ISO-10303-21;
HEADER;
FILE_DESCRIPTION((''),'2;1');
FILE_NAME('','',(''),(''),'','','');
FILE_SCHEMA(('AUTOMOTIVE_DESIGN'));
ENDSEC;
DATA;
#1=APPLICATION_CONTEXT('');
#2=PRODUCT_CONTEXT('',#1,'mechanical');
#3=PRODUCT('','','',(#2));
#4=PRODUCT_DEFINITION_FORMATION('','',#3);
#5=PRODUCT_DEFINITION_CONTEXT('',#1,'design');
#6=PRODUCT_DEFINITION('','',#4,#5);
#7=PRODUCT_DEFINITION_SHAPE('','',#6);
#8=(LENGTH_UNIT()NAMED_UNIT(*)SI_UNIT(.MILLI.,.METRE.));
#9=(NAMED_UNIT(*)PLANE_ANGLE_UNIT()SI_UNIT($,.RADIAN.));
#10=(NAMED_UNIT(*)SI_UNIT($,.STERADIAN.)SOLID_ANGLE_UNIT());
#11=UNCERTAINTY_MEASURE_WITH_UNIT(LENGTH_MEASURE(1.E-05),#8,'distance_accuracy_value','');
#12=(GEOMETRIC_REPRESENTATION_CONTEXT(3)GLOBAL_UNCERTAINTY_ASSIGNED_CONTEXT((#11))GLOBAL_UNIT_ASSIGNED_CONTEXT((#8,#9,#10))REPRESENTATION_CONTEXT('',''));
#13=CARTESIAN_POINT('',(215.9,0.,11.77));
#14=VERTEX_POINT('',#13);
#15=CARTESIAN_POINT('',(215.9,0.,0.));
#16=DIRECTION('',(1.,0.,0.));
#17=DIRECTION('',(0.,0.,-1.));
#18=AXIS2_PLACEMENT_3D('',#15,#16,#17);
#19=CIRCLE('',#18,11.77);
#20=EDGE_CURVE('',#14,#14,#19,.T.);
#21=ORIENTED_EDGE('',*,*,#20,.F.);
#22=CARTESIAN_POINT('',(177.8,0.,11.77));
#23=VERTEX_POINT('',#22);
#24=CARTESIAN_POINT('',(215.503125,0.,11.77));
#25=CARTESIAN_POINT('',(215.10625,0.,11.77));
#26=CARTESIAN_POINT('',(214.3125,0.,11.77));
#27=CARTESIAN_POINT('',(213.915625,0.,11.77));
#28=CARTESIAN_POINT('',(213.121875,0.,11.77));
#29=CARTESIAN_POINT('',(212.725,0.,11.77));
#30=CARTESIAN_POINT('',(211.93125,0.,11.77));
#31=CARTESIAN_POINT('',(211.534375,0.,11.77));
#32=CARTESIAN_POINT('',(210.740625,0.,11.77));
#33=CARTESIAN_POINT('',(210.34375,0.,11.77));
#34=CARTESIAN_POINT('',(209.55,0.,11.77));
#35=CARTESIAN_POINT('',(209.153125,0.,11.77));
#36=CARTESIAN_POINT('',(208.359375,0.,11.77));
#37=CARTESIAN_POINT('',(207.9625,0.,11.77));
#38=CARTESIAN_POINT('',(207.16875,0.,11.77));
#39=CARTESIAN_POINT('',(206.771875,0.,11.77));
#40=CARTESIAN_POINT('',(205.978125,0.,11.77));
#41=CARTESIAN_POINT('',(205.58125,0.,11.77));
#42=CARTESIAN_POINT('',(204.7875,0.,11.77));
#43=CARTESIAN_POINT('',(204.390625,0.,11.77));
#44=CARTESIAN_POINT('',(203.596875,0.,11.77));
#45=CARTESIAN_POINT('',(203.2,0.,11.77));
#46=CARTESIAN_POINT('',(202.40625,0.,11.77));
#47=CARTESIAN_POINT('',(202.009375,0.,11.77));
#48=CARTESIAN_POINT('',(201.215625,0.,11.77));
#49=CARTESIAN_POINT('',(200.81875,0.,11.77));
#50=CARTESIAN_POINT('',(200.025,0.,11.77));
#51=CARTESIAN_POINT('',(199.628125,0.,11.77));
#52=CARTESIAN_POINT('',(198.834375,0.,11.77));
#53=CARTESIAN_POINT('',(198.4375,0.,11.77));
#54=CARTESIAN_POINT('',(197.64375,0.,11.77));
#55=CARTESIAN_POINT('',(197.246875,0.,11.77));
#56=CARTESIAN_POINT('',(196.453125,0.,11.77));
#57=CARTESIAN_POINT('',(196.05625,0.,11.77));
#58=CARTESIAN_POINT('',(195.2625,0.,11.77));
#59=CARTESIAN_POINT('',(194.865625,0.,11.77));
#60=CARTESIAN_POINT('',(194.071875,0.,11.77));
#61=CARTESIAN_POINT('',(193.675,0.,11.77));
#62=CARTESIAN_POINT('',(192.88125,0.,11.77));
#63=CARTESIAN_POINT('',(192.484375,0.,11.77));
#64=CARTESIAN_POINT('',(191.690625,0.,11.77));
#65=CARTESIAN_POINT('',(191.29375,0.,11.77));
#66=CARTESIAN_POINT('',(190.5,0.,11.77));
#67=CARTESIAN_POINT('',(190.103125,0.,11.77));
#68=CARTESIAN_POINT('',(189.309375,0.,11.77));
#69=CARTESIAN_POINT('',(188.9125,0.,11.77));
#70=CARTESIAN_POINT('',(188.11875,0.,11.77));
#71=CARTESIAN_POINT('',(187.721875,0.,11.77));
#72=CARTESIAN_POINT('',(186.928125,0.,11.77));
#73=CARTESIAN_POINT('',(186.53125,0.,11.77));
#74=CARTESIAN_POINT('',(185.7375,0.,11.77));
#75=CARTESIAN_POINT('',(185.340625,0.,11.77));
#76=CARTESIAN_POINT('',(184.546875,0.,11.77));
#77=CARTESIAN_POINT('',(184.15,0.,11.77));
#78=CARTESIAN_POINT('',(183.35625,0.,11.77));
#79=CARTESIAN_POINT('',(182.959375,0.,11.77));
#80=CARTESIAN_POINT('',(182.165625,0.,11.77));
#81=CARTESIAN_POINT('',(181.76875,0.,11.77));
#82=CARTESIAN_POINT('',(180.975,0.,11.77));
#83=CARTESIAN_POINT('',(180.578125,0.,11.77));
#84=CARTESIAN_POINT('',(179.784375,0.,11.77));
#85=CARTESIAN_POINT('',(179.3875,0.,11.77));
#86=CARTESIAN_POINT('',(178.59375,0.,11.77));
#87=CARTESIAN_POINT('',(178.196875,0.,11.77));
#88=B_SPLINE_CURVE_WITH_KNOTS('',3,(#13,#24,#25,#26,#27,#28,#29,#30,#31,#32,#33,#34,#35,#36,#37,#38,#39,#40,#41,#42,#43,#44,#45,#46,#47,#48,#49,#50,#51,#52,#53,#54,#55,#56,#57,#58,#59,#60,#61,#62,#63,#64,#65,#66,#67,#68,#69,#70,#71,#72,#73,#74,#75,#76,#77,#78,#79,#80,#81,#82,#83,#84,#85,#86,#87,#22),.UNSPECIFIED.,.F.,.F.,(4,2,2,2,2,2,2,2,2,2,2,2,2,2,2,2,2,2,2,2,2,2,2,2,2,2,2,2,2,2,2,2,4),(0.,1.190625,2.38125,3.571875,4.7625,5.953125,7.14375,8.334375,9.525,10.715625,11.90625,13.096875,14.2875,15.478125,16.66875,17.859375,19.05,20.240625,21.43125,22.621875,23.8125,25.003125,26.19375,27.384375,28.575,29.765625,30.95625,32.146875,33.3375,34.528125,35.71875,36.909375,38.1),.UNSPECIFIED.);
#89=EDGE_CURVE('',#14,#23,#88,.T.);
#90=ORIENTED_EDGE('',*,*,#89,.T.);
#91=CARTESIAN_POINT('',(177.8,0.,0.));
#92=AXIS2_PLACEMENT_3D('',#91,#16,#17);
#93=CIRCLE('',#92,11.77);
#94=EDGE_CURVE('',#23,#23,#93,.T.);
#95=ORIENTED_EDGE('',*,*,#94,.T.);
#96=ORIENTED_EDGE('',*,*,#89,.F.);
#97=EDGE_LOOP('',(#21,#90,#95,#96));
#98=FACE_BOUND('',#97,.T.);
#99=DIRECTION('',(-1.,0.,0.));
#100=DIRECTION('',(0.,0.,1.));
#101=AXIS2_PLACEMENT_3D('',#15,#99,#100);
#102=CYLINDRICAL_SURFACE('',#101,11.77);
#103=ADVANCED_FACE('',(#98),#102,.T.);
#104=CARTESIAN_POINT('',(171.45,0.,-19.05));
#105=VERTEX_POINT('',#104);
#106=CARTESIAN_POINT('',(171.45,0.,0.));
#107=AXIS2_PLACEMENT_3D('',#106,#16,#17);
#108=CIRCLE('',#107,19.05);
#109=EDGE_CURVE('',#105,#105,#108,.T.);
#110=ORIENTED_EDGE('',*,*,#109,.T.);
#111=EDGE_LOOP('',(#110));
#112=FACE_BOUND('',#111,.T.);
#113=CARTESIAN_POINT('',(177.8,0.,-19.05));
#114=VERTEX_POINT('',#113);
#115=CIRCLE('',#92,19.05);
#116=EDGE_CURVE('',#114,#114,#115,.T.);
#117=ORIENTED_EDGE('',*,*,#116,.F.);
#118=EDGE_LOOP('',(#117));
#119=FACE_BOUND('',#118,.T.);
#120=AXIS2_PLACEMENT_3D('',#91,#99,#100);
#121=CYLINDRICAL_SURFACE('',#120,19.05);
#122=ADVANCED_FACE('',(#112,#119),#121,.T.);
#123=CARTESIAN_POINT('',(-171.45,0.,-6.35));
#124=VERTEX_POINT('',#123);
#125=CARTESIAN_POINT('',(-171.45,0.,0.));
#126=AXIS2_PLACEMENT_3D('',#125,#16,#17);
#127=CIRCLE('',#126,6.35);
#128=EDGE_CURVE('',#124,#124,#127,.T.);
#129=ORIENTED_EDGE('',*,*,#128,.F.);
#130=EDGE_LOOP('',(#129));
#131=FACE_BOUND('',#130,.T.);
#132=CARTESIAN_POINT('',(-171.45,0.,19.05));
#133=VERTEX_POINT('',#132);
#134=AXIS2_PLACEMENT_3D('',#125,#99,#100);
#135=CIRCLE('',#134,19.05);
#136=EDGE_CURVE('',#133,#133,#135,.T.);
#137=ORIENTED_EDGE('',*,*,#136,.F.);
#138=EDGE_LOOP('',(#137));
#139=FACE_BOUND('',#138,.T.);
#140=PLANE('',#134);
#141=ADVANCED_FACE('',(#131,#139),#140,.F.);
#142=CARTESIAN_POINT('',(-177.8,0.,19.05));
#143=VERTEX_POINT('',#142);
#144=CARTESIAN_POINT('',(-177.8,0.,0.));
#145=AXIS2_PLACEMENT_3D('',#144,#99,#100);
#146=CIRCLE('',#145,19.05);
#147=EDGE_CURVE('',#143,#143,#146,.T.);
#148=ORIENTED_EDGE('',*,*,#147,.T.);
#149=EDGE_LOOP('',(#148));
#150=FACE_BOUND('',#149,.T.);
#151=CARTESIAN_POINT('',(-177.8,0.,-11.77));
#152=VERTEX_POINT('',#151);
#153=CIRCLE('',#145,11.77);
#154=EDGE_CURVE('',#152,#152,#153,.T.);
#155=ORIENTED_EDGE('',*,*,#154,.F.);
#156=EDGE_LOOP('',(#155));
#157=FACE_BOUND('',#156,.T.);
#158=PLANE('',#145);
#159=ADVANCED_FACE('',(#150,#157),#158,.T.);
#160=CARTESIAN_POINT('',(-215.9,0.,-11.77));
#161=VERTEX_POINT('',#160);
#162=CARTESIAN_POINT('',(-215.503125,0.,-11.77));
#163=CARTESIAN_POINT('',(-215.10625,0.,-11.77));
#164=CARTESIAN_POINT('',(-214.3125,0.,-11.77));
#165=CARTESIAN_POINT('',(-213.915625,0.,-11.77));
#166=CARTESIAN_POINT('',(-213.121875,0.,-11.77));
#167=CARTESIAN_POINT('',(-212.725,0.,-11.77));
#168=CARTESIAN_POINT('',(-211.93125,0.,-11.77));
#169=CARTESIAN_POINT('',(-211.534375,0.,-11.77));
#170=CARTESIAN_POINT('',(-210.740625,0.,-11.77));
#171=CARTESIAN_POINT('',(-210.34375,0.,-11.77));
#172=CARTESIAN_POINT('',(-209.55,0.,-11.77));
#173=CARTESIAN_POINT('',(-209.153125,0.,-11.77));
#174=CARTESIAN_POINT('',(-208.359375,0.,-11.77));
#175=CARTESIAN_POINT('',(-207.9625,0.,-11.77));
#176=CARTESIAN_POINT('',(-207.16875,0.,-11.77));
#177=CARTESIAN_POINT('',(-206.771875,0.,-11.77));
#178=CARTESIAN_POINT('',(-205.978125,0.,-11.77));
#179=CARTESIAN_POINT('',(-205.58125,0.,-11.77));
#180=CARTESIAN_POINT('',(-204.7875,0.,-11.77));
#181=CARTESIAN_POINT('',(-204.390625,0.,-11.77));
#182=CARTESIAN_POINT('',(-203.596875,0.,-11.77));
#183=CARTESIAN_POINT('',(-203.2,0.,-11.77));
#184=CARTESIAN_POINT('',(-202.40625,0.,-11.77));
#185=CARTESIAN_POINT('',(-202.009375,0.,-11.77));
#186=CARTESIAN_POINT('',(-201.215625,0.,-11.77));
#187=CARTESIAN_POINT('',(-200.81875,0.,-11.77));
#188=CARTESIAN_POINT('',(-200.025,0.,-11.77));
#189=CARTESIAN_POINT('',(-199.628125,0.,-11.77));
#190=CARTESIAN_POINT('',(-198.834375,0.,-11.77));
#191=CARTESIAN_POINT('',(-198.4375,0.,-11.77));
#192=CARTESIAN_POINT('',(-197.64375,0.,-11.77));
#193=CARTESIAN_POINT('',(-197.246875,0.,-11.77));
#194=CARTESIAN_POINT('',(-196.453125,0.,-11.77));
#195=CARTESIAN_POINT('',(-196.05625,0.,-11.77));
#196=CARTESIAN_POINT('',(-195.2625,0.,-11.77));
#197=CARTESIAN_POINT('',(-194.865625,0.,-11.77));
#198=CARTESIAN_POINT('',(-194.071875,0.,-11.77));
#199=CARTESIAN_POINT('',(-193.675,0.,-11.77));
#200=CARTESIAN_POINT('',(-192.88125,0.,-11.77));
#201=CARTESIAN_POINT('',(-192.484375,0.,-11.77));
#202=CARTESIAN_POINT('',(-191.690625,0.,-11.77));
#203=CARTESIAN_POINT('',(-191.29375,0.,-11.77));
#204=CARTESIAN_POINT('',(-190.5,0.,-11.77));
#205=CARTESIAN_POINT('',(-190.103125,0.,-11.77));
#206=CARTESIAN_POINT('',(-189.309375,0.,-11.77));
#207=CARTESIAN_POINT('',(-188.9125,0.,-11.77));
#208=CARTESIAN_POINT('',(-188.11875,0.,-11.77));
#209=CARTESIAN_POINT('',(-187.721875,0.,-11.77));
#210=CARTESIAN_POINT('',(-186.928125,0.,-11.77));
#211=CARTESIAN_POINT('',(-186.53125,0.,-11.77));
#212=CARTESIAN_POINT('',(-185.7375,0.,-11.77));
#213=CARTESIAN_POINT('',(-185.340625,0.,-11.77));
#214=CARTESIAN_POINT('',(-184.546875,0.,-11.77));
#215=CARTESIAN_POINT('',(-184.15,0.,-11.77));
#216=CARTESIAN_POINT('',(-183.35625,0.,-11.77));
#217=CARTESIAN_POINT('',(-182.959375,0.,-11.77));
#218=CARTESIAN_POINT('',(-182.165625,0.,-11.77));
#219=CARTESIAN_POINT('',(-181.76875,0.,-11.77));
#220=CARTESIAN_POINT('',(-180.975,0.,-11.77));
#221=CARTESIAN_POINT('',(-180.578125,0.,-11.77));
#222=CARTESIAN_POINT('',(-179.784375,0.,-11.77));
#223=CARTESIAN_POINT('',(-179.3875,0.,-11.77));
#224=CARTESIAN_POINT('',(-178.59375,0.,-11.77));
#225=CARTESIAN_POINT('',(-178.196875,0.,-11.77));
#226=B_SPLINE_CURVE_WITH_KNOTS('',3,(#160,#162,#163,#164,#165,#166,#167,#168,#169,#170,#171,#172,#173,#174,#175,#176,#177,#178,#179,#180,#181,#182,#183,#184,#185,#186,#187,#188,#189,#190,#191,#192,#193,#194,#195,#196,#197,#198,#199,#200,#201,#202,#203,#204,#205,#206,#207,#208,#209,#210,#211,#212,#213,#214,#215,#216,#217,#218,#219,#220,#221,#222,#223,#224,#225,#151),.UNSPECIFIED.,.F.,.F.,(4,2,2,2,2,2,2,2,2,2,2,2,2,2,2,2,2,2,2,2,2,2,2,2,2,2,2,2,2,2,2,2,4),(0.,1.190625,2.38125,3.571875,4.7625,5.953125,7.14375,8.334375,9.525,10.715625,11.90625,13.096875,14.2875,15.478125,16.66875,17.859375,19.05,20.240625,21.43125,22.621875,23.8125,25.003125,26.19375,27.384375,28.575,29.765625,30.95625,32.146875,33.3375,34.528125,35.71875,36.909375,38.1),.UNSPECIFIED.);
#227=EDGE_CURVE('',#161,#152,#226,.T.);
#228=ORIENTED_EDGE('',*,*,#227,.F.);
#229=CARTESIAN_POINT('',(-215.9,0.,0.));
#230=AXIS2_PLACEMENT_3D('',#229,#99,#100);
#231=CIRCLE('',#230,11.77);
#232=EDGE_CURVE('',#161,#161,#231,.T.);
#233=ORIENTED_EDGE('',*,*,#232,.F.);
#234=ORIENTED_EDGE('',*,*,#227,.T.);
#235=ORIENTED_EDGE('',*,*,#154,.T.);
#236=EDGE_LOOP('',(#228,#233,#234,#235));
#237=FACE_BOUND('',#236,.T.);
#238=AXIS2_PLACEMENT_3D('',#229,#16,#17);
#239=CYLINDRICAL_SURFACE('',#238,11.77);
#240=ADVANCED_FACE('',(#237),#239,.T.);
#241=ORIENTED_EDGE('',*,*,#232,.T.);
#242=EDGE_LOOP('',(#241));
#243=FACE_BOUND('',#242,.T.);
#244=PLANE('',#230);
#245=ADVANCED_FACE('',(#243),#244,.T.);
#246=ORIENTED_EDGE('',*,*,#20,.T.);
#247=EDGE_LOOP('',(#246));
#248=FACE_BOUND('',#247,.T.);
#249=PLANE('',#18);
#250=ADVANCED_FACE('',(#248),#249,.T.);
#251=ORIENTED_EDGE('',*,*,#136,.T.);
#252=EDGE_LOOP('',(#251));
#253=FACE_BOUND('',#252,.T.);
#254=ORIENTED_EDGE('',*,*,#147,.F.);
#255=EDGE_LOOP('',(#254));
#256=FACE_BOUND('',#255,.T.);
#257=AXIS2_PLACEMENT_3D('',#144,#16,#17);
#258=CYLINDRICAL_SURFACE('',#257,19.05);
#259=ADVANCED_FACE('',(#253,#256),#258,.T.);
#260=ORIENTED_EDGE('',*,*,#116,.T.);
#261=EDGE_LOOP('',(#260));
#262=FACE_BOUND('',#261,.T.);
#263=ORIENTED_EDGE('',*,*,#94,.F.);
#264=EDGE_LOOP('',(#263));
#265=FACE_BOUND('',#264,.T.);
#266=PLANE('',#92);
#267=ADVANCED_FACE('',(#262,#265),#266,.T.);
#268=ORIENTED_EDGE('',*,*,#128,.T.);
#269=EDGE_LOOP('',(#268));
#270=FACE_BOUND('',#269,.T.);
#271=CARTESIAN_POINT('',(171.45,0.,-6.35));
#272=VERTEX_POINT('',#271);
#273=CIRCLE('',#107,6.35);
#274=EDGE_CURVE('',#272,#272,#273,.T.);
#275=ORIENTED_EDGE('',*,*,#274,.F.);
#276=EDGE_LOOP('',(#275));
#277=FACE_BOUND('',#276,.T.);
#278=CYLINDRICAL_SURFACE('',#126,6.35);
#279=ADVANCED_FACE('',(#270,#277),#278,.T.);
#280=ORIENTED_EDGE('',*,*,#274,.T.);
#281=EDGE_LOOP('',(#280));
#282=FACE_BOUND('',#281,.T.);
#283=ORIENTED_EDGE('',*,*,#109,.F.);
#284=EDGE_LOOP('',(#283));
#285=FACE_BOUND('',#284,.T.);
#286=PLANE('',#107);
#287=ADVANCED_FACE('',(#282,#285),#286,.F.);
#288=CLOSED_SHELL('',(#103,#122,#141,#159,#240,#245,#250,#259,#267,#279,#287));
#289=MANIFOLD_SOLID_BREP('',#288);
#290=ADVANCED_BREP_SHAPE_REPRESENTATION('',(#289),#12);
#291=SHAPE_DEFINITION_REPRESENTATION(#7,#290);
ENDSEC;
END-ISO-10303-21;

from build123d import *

# Parameters (mm, degrees)
BOSS_EXTRUDE1_DEPTH      = 171.45
BOSS_EXTRUDE1_DEPTH_BACK = 171.45
SKETCH2_R                = 6.35
SKETCH3_R                = 19.05
BOSS_EXTRUDE2_DEPTH      = 6.35
BOSS_EXTRUDE4_START      = 6.35
SKETCH7_R                = 19.05
BOSS_EXTRUDE4_DEPTH      = 6.35
SKETCH9_R                = 11.77
BOSS_EXTRUDE6_DEPTH      = 38.1
BOSS_EXTRUDE7_START      = 38.1
SKETCH10_R               = 11.77
BOSS_EXTRUDE7_DEPTH      = 38.1


with BuildPart() as part:
    # Sketch2 → Boss-Extrude1 (new, two sides: drawn at the far end of the back side and taken through both)
    with BuildSketch(Plane(origin=(0, 0, 0), x_dir=(0, 0, -1), z_dir=(1, 0, 0)).offset(-BOSS_EXTRUDE1_DEPTH_BACK)):
        Circle(SKETCH2_R)
    extrude(amount=BOSS_EXTRUDE1_DEPTH + BOSS_EXTRUDE1_DEPTH_BACK)

    # Sketch3 → Boss-Extrude2 (add)
    with BuildSketch(Plane(origin=(171.45, 0, 0), x_dir=(0, 0, -1), z_dir=(1, 0, 0))):
        Circle(SKETCH3_R)
    extrude(amount=BOSS_EXTRUDE2_DEPTH)

    # Sketch7 → Boss-Extrude4 (add)
    with BuildSketch(Plane.ZY.offset(171.45).offset(BOSS_EXTRUDE4_START)):
        Circle(SKETCH7_R)
    extrude(amount=-BOSS_EXTRUDE4_DEPTH)

    # Sketch9 → Boss-Extrude6 (add)
    with BuildSketch(Plane.ZY.offset(177.8)):
        Circle(SKETCH9_R)
    extrude(amount=BOSS_EXTRUDE6_DEPTH)

    # Sketch10 → Boss-Extrude7 (add)
    with BuildSketch(Plane(origin=(177.8, 0, 0), x_dir=(0, 0, -1), z_dir=(1, 0, 0)).offset(BOSS_EXTRUDE7_START)):
        Circle(SKETCH10_R)
    extrude(amount=-BOSS_EXTRUDE7_DEPTH)


solid = part.part
